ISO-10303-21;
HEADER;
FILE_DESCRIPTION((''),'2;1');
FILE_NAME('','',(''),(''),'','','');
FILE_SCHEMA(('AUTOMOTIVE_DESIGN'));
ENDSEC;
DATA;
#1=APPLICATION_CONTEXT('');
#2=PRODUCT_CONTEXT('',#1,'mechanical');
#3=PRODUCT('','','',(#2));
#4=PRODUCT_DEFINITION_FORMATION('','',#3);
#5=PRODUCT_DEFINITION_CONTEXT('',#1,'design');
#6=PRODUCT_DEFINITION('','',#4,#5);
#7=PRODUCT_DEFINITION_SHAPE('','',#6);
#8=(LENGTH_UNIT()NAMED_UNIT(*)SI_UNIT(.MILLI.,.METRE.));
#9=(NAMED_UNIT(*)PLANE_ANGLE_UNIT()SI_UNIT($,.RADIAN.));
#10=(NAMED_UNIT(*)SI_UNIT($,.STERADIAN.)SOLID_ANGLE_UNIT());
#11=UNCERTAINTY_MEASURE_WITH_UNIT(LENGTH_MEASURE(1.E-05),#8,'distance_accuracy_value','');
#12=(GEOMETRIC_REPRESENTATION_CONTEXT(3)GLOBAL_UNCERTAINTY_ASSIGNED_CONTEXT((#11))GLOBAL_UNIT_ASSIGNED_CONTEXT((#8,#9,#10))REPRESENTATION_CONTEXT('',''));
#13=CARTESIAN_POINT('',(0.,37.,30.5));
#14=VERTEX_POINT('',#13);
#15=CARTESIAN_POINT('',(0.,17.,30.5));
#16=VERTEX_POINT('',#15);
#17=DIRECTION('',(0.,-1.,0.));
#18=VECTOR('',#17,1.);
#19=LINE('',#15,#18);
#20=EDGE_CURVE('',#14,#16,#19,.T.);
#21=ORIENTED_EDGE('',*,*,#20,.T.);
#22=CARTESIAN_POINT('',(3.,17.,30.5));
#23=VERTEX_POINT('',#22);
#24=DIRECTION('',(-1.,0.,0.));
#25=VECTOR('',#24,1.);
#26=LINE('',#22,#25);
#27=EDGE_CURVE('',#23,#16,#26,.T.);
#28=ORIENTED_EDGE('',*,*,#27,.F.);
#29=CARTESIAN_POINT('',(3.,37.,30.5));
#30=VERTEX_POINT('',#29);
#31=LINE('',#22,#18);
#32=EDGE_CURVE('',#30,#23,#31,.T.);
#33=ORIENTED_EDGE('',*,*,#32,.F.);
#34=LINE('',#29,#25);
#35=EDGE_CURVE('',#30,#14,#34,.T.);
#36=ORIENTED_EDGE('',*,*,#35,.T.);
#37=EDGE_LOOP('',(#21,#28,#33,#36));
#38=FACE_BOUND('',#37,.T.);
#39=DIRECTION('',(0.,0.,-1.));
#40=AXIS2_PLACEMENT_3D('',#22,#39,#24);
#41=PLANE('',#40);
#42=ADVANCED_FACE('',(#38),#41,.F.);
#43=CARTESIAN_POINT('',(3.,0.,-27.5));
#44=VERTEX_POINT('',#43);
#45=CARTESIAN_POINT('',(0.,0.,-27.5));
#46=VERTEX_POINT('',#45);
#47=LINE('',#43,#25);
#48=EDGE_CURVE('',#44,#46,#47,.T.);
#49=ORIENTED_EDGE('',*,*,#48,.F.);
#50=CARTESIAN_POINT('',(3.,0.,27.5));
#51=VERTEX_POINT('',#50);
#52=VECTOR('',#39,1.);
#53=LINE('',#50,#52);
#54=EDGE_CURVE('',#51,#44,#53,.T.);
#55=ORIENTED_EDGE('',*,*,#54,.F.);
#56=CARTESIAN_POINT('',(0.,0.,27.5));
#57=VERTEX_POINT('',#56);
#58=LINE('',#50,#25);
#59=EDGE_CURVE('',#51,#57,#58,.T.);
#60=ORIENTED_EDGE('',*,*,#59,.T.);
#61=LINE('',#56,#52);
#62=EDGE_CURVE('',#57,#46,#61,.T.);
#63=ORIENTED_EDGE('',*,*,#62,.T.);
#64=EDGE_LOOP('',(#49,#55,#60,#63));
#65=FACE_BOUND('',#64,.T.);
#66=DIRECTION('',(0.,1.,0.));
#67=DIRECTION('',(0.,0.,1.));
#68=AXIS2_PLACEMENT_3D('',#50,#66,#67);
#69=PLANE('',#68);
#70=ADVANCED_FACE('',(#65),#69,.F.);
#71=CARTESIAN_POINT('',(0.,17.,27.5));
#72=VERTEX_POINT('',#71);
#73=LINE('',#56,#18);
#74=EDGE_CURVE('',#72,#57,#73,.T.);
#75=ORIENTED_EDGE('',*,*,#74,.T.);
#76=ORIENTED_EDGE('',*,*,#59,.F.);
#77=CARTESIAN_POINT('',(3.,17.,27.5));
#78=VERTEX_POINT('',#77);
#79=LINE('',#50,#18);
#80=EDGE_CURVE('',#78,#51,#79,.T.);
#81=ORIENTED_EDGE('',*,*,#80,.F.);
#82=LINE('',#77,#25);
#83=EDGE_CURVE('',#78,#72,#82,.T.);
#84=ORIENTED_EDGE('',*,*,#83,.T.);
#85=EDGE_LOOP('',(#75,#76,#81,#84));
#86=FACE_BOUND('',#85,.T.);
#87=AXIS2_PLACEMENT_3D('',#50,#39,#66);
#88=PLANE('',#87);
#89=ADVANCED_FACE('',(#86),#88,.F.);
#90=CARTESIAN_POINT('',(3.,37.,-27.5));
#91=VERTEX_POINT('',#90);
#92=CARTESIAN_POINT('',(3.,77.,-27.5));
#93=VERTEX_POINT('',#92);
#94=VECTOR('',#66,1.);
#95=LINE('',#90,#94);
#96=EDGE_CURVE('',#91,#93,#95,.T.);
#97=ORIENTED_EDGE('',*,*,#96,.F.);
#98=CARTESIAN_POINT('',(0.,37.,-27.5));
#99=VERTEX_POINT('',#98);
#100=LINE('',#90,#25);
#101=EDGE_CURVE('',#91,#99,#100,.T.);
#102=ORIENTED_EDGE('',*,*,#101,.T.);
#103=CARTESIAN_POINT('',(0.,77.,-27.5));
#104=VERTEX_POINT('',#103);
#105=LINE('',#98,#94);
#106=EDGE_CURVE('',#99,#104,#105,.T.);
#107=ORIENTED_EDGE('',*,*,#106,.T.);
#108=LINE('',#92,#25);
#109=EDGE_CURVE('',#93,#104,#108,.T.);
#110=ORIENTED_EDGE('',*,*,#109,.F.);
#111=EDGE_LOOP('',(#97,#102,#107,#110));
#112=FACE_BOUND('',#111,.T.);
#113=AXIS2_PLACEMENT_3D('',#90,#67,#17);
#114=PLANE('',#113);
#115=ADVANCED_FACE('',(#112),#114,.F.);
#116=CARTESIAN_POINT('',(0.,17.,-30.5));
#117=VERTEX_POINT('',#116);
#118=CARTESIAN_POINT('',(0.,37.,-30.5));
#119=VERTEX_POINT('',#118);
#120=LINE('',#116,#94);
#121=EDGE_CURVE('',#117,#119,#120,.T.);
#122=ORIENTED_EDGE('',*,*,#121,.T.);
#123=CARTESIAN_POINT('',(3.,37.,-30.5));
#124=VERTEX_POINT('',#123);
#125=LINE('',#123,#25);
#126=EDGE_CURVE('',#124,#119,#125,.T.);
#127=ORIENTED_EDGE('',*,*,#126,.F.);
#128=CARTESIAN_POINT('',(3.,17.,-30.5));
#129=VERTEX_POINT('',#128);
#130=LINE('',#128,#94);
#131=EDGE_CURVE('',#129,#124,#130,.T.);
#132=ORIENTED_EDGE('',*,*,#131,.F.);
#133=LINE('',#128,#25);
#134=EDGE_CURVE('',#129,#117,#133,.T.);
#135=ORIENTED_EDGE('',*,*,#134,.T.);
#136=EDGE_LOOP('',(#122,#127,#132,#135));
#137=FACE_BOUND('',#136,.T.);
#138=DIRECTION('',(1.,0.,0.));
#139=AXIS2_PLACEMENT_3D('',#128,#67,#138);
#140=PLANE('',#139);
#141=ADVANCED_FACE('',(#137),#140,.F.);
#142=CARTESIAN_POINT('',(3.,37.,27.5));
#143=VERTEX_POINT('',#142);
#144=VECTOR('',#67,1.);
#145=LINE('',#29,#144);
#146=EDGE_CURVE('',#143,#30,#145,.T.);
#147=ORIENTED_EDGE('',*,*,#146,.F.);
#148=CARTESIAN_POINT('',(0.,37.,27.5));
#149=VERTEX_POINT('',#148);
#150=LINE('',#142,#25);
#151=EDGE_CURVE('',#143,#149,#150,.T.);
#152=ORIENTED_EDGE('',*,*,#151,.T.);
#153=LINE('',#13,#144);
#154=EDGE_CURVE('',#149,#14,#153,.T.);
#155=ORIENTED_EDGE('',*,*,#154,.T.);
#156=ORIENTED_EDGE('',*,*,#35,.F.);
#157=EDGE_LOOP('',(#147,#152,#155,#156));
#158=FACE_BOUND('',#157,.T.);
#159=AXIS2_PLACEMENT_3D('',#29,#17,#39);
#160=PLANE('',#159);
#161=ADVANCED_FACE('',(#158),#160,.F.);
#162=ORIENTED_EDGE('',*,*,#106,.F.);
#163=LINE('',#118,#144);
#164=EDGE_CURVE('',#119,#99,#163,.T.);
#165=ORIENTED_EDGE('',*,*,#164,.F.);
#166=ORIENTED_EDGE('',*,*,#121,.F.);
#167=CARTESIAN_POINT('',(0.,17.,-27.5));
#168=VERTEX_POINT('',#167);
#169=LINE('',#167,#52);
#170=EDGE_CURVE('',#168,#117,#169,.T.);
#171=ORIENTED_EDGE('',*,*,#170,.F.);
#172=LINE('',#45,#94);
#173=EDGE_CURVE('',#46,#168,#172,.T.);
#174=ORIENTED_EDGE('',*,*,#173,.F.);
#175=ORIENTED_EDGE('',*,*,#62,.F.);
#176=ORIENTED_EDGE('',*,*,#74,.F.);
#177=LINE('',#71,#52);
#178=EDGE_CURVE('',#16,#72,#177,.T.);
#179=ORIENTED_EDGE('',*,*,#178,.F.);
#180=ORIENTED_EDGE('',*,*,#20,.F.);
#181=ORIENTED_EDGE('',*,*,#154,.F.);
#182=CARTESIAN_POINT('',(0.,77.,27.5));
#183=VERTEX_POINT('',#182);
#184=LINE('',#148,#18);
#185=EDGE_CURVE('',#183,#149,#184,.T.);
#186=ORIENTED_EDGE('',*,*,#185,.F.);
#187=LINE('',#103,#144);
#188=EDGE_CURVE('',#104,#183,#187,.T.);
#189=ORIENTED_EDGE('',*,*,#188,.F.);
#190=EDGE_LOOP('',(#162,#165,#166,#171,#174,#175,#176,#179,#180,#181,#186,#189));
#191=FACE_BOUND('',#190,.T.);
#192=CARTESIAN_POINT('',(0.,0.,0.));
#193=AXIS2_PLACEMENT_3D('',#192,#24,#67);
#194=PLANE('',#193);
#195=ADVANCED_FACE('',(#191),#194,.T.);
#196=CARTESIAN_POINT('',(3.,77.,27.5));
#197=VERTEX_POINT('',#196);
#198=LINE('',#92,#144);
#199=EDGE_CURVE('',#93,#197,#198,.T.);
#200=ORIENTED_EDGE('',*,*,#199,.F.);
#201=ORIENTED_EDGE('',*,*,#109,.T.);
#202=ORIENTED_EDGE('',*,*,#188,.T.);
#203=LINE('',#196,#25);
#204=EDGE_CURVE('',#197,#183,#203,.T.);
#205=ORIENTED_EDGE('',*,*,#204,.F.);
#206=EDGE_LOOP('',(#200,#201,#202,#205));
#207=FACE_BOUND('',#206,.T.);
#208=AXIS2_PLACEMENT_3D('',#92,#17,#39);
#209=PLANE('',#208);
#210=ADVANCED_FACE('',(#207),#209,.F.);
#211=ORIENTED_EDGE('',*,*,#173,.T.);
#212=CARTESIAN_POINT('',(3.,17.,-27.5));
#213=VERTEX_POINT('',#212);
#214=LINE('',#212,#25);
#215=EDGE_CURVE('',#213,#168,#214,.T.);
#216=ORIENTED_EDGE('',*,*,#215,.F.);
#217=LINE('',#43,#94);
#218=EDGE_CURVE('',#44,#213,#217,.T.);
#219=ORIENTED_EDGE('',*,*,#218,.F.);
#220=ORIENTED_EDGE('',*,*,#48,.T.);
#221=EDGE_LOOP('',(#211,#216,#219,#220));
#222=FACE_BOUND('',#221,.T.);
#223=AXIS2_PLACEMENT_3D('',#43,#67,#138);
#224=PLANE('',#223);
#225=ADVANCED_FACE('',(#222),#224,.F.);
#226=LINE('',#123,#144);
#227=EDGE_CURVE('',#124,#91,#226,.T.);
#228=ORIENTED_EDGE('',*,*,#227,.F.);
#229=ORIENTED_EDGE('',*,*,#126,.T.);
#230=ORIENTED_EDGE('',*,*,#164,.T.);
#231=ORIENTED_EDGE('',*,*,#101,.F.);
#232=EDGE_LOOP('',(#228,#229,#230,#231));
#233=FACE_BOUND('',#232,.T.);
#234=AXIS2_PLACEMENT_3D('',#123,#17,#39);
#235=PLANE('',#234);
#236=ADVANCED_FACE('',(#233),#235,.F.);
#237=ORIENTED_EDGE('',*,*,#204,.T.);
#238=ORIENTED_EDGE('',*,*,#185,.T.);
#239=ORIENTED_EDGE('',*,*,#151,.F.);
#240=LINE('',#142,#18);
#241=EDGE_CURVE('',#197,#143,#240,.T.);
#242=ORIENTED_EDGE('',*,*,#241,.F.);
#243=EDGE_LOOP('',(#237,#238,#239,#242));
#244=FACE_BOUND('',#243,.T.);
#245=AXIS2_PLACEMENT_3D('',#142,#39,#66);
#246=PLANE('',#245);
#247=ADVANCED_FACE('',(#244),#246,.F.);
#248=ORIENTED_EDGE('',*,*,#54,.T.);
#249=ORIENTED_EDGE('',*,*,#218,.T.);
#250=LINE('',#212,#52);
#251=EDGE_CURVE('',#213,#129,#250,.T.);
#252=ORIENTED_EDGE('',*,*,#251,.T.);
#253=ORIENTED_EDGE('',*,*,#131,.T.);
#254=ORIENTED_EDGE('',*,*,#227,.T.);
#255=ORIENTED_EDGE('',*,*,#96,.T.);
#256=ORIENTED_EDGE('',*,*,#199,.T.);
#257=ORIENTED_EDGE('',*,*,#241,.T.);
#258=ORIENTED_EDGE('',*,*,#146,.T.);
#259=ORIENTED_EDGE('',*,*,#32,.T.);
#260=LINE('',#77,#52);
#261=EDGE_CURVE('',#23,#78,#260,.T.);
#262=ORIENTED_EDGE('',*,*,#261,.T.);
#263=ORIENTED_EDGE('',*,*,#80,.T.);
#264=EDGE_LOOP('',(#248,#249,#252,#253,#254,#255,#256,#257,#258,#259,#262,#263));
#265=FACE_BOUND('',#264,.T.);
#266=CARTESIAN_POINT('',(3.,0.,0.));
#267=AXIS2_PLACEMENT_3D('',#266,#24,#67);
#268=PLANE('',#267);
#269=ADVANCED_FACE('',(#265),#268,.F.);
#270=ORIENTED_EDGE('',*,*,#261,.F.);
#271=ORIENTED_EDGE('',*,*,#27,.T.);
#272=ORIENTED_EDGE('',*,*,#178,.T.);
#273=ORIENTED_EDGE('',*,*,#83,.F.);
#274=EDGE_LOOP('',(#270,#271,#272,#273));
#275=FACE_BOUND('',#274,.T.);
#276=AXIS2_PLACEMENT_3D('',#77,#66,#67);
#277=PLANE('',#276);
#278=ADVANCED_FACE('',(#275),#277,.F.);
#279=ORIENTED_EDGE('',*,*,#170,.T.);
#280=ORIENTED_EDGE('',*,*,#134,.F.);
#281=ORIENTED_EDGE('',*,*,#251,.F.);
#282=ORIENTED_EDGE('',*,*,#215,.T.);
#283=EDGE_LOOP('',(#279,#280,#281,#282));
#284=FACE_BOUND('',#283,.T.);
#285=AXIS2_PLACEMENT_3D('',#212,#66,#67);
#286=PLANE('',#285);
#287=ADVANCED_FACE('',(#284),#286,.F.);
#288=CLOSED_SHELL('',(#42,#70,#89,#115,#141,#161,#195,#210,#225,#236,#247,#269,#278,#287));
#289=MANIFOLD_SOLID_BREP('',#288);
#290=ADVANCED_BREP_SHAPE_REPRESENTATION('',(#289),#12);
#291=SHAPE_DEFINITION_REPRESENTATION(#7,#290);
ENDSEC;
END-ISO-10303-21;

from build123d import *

# Parameters (mm, degrees)
BOSS_EXTRUDE1_DEPTH = 3


with BuildPart() as part:
    # Sketch1 → Boss-Extrude1 (new body)
    with BuildSketch(Plane(origin=(0, 0, 0), x_dir=(0, 0, -1), z_dir=(1, 0, 0))):
        Polygon((-27.5, 0), (27.5, 0), (27.5, 17), (30.5, 17), (30.5, 37), (27.5, 37), (27.5, 77), (-27.5, 77), (-27.5, 37), (-30.5, 37), (-30.5, 17), (-27.5, 17), align=None)
    extrude(amount=BOSS_EXTRUDE1_DEPTH)


solid = part.part
